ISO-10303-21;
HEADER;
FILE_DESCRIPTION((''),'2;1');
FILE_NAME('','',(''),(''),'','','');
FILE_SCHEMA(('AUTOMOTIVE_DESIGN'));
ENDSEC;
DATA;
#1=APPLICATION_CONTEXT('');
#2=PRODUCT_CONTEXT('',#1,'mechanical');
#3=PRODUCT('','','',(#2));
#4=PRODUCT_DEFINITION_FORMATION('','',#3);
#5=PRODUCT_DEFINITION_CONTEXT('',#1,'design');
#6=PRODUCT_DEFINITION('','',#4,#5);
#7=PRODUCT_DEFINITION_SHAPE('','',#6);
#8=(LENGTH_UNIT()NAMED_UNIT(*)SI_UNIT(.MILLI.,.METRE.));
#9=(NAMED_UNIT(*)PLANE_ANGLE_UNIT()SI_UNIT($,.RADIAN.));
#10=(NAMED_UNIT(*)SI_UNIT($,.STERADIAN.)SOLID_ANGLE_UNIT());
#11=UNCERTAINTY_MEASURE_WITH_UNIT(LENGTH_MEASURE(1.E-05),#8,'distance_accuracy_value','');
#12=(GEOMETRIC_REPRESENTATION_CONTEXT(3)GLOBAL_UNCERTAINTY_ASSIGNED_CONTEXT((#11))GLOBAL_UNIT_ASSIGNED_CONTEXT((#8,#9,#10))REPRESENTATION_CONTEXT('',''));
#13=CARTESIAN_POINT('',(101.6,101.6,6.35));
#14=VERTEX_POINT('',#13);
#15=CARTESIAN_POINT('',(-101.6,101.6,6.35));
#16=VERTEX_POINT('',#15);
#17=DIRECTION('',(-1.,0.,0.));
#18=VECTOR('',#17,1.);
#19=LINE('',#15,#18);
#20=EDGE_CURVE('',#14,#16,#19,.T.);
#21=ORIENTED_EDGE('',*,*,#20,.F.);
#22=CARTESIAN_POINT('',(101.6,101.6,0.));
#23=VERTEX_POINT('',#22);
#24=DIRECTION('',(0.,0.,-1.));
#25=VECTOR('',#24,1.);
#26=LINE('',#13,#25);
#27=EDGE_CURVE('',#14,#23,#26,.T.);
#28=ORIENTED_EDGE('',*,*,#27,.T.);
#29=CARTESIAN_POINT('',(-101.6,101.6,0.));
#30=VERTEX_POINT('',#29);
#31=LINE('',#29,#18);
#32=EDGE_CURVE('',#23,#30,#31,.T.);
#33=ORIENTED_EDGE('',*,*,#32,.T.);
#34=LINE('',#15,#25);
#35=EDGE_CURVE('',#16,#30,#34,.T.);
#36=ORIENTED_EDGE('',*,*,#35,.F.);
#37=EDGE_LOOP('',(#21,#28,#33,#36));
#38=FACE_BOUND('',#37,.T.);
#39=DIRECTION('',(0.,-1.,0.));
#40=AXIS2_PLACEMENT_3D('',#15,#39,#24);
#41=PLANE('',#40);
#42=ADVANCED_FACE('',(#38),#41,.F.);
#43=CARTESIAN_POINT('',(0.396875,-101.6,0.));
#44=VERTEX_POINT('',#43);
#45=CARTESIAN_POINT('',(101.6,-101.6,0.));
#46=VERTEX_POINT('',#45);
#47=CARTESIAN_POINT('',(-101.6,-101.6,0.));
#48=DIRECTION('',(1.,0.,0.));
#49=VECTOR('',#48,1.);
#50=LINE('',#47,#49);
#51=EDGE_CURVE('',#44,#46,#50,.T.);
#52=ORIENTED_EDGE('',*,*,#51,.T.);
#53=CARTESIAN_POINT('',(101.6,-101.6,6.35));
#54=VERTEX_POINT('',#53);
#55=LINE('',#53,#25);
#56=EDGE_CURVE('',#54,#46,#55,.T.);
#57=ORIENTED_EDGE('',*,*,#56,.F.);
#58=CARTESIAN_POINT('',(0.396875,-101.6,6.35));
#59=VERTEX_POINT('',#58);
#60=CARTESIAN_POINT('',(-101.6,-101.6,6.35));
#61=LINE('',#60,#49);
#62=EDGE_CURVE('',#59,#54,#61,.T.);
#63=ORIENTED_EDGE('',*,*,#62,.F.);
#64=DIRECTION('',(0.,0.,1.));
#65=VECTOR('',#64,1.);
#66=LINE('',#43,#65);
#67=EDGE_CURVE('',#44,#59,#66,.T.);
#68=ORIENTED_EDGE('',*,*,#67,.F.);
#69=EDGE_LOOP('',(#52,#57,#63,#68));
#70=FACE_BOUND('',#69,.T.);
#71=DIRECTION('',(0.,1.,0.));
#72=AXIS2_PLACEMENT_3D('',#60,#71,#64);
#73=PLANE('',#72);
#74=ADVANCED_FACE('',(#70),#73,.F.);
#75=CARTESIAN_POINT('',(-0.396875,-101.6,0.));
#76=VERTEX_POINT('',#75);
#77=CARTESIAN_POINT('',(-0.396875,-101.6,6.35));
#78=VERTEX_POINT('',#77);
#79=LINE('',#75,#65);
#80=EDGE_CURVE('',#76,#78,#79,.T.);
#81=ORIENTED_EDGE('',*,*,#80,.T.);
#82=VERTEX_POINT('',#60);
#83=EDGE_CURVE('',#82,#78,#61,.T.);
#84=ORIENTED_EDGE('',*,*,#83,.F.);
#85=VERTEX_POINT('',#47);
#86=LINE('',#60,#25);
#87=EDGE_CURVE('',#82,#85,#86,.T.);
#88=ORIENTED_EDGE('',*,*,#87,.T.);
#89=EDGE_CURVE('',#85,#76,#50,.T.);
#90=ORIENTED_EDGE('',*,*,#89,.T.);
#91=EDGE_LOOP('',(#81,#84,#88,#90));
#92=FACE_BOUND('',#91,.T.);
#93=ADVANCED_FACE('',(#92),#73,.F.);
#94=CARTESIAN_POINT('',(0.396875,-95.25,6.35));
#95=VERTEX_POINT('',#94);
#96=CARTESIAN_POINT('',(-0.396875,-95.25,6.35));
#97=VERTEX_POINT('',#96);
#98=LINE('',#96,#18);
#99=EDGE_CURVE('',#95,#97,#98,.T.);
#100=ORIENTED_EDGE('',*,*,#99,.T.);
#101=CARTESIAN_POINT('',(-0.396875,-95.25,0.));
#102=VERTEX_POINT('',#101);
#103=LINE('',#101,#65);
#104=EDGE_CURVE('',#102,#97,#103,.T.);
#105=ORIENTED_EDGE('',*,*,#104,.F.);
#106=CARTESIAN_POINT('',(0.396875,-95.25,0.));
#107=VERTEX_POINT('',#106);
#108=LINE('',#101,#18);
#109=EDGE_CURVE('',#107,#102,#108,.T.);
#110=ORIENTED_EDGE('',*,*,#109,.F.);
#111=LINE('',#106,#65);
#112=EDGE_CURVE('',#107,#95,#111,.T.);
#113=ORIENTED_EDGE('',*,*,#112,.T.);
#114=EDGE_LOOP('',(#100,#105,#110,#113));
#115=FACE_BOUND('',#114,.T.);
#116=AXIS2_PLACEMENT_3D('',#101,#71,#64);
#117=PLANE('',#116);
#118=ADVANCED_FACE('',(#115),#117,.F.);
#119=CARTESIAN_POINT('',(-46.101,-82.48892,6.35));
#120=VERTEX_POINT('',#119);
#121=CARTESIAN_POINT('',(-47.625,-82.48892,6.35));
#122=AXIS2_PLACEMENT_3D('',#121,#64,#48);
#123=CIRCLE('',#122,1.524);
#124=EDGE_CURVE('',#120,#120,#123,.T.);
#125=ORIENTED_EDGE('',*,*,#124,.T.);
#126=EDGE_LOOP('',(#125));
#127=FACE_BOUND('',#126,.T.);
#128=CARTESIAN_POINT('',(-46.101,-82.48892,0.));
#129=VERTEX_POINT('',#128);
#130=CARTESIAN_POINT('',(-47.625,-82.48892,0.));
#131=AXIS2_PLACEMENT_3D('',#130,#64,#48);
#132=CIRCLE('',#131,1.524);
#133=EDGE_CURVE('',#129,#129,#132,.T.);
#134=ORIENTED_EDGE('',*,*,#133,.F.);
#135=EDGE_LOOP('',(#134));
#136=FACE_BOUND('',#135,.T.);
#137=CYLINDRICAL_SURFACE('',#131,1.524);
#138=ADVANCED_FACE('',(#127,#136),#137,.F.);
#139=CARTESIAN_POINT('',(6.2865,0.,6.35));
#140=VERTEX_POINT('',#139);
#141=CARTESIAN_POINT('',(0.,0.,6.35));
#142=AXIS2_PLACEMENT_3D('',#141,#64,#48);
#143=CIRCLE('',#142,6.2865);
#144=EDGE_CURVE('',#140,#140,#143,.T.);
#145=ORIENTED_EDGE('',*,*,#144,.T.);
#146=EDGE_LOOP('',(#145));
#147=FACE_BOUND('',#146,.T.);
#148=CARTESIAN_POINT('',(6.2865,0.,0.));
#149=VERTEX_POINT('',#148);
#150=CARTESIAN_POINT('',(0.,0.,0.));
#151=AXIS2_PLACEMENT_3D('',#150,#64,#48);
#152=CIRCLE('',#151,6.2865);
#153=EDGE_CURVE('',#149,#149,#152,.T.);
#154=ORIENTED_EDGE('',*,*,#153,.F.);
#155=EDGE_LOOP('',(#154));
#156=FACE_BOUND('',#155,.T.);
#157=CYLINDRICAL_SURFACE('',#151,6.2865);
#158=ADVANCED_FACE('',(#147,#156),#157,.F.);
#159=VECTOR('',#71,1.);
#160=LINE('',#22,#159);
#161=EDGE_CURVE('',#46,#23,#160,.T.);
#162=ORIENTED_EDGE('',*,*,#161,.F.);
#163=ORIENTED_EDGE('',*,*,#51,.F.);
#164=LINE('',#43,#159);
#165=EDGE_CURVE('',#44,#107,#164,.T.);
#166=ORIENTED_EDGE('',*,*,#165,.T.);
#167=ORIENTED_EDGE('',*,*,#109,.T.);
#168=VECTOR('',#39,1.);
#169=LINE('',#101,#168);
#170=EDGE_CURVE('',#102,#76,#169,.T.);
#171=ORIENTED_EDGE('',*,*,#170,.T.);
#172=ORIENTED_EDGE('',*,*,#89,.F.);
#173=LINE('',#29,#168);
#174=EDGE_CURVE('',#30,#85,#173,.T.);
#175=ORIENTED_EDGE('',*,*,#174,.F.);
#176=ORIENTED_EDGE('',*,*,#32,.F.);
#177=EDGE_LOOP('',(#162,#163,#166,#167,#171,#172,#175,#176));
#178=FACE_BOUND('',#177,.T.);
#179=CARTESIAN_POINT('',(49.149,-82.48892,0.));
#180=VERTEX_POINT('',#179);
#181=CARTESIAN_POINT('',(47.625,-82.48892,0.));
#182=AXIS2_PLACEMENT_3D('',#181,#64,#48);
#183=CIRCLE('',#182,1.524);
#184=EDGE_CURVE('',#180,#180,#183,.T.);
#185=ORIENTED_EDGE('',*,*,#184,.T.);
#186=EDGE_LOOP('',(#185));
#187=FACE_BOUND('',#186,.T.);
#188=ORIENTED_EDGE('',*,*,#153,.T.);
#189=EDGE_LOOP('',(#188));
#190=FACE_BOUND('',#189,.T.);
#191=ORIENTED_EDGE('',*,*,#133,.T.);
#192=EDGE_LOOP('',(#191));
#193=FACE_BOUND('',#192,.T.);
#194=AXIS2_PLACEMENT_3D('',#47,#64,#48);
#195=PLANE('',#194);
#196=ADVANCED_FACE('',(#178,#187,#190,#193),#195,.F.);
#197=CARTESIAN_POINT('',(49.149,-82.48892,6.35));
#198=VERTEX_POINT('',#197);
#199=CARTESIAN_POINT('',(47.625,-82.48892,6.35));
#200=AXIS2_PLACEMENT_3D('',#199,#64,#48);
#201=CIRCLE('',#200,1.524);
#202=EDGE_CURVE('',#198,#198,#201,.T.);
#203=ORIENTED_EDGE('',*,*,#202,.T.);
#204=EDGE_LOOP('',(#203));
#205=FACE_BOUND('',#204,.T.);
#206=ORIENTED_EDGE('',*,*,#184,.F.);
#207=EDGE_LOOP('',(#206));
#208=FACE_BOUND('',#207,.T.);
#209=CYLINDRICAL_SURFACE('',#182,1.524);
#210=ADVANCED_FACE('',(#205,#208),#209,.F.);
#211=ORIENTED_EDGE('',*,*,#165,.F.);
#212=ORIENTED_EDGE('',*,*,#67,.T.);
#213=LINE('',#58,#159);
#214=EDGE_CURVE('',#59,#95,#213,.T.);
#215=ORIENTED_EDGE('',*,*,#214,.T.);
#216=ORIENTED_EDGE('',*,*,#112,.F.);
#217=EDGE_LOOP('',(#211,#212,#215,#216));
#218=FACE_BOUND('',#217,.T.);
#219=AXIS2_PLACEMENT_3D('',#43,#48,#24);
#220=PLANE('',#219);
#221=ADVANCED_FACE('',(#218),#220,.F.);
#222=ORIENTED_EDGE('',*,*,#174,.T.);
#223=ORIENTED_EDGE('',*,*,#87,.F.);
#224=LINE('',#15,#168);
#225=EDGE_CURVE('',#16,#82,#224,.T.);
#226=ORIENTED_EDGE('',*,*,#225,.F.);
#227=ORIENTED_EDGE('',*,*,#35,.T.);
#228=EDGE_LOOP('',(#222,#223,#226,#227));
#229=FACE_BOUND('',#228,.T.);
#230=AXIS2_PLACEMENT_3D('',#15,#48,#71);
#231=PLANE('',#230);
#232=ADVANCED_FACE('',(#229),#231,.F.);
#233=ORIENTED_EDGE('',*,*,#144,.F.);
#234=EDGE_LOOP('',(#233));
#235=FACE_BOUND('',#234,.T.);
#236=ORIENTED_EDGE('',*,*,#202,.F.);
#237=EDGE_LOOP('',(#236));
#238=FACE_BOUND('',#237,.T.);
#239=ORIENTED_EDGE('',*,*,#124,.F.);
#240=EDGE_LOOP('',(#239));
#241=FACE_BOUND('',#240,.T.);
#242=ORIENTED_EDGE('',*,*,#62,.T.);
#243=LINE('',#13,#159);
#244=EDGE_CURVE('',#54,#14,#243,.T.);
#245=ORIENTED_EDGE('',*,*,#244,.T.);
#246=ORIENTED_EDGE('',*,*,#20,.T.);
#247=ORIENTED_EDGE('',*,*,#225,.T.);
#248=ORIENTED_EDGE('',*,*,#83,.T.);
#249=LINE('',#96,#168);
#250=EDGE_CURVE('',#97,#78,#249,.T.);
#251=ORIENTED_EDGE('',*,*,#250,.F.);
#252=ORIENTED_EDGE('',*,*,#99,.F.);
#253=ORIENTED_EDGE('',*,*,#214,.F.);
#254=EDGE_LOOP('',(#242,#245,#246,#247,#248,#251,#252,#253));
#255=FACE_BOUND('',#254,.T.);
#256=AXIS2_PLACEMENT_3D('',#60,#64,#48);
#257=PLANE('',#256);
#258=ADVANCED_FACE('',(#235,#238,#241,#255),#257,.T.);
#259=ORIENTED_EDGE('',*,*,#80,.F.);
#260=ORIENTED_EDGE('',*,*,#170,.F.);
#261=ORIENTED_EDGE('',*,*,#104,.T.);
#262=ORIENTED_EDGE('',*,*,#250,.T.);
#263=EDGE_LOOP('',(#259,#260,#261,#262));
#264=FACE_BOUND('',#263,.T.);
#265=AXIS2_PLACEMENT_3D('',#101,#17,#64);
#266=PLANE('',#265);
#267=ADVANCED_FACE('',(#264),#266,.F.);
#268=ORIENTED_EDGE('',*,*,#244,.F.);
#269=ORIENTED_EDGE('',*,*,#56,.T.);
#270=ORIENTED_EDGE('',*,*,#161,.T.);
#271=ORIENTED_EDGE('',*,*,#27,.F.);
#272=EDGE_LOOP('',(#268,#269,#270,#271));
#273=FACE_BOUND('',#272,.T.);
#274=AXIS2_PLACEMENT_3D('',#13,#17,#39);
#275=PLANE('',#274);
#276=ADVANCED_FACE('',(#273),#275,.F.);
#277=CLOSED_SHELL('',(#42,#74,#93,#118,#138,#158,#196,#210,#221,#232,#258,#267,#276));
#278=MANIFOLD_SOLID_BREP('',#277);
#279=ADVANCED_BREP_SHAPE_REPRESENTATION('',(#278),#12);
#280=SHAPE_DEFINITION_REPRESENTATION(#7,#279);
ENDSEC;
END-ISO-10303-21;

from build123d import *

# Parameters (mm, degrees)
SKETCH1_W      = 203.2
SKETCH1_H      = 203.2
EXTRUDE1_DEPTH = 6.35
SKETCH2_R      = 6.2865
EXTRUDE2_DEPTH = 144.824345992
SKETCH3_R      = 1.524
EXTRUDE3_DEPTH = 144.824345992
SKETCH4_W      = 0.79375
SKETCH4_H      = 6.35
EXTRUDE4_DEPTH = 6.35


with BuildPart() as part:
    # Sketch1 → Extrude1 (new body)
    with BuildSketch(Plane.XY):
        Rectangle(SKETCH1_W, SKETCH1_H)
    extrude(amount=EXTRUDE1_DEPTH)

    # Sketch2 → Extrude2 (cut, through all)
    with BuildSketch(Plane.XY.offset(6.35)):
        Circle(SKETCH2_R)
    extrude(amount=-EXTRUDE2_DEPTH, mode=Mode.SUBTRACT)

    # Sketch3 → Extrude3 (cut, through all)
    with BuildSketch(Plane.XY.offset(6.35)):
        with Locations((-47.625, -82.48891971)):
            Circle(SKETCH3_R)
        with Locations((47.625, -82.48891971)):
            Circle(SKETCH3_R)
    extrude(amount=-EXTRUDE3_DEPTH, mode=Mode.SUBTRACT)

    # Sketch4 → Extrude4 (cut)
    with BuildSketch(Plane.XY.offset(6.35)):
        with Locations((0, -98.425)):
            Rectangle(SKETCH4_W, SKETCH4_H)
    extrude(amount=-EXTRUDE4_DEPTH, mode=Mode.SUBTRACT)


solid = part.part
